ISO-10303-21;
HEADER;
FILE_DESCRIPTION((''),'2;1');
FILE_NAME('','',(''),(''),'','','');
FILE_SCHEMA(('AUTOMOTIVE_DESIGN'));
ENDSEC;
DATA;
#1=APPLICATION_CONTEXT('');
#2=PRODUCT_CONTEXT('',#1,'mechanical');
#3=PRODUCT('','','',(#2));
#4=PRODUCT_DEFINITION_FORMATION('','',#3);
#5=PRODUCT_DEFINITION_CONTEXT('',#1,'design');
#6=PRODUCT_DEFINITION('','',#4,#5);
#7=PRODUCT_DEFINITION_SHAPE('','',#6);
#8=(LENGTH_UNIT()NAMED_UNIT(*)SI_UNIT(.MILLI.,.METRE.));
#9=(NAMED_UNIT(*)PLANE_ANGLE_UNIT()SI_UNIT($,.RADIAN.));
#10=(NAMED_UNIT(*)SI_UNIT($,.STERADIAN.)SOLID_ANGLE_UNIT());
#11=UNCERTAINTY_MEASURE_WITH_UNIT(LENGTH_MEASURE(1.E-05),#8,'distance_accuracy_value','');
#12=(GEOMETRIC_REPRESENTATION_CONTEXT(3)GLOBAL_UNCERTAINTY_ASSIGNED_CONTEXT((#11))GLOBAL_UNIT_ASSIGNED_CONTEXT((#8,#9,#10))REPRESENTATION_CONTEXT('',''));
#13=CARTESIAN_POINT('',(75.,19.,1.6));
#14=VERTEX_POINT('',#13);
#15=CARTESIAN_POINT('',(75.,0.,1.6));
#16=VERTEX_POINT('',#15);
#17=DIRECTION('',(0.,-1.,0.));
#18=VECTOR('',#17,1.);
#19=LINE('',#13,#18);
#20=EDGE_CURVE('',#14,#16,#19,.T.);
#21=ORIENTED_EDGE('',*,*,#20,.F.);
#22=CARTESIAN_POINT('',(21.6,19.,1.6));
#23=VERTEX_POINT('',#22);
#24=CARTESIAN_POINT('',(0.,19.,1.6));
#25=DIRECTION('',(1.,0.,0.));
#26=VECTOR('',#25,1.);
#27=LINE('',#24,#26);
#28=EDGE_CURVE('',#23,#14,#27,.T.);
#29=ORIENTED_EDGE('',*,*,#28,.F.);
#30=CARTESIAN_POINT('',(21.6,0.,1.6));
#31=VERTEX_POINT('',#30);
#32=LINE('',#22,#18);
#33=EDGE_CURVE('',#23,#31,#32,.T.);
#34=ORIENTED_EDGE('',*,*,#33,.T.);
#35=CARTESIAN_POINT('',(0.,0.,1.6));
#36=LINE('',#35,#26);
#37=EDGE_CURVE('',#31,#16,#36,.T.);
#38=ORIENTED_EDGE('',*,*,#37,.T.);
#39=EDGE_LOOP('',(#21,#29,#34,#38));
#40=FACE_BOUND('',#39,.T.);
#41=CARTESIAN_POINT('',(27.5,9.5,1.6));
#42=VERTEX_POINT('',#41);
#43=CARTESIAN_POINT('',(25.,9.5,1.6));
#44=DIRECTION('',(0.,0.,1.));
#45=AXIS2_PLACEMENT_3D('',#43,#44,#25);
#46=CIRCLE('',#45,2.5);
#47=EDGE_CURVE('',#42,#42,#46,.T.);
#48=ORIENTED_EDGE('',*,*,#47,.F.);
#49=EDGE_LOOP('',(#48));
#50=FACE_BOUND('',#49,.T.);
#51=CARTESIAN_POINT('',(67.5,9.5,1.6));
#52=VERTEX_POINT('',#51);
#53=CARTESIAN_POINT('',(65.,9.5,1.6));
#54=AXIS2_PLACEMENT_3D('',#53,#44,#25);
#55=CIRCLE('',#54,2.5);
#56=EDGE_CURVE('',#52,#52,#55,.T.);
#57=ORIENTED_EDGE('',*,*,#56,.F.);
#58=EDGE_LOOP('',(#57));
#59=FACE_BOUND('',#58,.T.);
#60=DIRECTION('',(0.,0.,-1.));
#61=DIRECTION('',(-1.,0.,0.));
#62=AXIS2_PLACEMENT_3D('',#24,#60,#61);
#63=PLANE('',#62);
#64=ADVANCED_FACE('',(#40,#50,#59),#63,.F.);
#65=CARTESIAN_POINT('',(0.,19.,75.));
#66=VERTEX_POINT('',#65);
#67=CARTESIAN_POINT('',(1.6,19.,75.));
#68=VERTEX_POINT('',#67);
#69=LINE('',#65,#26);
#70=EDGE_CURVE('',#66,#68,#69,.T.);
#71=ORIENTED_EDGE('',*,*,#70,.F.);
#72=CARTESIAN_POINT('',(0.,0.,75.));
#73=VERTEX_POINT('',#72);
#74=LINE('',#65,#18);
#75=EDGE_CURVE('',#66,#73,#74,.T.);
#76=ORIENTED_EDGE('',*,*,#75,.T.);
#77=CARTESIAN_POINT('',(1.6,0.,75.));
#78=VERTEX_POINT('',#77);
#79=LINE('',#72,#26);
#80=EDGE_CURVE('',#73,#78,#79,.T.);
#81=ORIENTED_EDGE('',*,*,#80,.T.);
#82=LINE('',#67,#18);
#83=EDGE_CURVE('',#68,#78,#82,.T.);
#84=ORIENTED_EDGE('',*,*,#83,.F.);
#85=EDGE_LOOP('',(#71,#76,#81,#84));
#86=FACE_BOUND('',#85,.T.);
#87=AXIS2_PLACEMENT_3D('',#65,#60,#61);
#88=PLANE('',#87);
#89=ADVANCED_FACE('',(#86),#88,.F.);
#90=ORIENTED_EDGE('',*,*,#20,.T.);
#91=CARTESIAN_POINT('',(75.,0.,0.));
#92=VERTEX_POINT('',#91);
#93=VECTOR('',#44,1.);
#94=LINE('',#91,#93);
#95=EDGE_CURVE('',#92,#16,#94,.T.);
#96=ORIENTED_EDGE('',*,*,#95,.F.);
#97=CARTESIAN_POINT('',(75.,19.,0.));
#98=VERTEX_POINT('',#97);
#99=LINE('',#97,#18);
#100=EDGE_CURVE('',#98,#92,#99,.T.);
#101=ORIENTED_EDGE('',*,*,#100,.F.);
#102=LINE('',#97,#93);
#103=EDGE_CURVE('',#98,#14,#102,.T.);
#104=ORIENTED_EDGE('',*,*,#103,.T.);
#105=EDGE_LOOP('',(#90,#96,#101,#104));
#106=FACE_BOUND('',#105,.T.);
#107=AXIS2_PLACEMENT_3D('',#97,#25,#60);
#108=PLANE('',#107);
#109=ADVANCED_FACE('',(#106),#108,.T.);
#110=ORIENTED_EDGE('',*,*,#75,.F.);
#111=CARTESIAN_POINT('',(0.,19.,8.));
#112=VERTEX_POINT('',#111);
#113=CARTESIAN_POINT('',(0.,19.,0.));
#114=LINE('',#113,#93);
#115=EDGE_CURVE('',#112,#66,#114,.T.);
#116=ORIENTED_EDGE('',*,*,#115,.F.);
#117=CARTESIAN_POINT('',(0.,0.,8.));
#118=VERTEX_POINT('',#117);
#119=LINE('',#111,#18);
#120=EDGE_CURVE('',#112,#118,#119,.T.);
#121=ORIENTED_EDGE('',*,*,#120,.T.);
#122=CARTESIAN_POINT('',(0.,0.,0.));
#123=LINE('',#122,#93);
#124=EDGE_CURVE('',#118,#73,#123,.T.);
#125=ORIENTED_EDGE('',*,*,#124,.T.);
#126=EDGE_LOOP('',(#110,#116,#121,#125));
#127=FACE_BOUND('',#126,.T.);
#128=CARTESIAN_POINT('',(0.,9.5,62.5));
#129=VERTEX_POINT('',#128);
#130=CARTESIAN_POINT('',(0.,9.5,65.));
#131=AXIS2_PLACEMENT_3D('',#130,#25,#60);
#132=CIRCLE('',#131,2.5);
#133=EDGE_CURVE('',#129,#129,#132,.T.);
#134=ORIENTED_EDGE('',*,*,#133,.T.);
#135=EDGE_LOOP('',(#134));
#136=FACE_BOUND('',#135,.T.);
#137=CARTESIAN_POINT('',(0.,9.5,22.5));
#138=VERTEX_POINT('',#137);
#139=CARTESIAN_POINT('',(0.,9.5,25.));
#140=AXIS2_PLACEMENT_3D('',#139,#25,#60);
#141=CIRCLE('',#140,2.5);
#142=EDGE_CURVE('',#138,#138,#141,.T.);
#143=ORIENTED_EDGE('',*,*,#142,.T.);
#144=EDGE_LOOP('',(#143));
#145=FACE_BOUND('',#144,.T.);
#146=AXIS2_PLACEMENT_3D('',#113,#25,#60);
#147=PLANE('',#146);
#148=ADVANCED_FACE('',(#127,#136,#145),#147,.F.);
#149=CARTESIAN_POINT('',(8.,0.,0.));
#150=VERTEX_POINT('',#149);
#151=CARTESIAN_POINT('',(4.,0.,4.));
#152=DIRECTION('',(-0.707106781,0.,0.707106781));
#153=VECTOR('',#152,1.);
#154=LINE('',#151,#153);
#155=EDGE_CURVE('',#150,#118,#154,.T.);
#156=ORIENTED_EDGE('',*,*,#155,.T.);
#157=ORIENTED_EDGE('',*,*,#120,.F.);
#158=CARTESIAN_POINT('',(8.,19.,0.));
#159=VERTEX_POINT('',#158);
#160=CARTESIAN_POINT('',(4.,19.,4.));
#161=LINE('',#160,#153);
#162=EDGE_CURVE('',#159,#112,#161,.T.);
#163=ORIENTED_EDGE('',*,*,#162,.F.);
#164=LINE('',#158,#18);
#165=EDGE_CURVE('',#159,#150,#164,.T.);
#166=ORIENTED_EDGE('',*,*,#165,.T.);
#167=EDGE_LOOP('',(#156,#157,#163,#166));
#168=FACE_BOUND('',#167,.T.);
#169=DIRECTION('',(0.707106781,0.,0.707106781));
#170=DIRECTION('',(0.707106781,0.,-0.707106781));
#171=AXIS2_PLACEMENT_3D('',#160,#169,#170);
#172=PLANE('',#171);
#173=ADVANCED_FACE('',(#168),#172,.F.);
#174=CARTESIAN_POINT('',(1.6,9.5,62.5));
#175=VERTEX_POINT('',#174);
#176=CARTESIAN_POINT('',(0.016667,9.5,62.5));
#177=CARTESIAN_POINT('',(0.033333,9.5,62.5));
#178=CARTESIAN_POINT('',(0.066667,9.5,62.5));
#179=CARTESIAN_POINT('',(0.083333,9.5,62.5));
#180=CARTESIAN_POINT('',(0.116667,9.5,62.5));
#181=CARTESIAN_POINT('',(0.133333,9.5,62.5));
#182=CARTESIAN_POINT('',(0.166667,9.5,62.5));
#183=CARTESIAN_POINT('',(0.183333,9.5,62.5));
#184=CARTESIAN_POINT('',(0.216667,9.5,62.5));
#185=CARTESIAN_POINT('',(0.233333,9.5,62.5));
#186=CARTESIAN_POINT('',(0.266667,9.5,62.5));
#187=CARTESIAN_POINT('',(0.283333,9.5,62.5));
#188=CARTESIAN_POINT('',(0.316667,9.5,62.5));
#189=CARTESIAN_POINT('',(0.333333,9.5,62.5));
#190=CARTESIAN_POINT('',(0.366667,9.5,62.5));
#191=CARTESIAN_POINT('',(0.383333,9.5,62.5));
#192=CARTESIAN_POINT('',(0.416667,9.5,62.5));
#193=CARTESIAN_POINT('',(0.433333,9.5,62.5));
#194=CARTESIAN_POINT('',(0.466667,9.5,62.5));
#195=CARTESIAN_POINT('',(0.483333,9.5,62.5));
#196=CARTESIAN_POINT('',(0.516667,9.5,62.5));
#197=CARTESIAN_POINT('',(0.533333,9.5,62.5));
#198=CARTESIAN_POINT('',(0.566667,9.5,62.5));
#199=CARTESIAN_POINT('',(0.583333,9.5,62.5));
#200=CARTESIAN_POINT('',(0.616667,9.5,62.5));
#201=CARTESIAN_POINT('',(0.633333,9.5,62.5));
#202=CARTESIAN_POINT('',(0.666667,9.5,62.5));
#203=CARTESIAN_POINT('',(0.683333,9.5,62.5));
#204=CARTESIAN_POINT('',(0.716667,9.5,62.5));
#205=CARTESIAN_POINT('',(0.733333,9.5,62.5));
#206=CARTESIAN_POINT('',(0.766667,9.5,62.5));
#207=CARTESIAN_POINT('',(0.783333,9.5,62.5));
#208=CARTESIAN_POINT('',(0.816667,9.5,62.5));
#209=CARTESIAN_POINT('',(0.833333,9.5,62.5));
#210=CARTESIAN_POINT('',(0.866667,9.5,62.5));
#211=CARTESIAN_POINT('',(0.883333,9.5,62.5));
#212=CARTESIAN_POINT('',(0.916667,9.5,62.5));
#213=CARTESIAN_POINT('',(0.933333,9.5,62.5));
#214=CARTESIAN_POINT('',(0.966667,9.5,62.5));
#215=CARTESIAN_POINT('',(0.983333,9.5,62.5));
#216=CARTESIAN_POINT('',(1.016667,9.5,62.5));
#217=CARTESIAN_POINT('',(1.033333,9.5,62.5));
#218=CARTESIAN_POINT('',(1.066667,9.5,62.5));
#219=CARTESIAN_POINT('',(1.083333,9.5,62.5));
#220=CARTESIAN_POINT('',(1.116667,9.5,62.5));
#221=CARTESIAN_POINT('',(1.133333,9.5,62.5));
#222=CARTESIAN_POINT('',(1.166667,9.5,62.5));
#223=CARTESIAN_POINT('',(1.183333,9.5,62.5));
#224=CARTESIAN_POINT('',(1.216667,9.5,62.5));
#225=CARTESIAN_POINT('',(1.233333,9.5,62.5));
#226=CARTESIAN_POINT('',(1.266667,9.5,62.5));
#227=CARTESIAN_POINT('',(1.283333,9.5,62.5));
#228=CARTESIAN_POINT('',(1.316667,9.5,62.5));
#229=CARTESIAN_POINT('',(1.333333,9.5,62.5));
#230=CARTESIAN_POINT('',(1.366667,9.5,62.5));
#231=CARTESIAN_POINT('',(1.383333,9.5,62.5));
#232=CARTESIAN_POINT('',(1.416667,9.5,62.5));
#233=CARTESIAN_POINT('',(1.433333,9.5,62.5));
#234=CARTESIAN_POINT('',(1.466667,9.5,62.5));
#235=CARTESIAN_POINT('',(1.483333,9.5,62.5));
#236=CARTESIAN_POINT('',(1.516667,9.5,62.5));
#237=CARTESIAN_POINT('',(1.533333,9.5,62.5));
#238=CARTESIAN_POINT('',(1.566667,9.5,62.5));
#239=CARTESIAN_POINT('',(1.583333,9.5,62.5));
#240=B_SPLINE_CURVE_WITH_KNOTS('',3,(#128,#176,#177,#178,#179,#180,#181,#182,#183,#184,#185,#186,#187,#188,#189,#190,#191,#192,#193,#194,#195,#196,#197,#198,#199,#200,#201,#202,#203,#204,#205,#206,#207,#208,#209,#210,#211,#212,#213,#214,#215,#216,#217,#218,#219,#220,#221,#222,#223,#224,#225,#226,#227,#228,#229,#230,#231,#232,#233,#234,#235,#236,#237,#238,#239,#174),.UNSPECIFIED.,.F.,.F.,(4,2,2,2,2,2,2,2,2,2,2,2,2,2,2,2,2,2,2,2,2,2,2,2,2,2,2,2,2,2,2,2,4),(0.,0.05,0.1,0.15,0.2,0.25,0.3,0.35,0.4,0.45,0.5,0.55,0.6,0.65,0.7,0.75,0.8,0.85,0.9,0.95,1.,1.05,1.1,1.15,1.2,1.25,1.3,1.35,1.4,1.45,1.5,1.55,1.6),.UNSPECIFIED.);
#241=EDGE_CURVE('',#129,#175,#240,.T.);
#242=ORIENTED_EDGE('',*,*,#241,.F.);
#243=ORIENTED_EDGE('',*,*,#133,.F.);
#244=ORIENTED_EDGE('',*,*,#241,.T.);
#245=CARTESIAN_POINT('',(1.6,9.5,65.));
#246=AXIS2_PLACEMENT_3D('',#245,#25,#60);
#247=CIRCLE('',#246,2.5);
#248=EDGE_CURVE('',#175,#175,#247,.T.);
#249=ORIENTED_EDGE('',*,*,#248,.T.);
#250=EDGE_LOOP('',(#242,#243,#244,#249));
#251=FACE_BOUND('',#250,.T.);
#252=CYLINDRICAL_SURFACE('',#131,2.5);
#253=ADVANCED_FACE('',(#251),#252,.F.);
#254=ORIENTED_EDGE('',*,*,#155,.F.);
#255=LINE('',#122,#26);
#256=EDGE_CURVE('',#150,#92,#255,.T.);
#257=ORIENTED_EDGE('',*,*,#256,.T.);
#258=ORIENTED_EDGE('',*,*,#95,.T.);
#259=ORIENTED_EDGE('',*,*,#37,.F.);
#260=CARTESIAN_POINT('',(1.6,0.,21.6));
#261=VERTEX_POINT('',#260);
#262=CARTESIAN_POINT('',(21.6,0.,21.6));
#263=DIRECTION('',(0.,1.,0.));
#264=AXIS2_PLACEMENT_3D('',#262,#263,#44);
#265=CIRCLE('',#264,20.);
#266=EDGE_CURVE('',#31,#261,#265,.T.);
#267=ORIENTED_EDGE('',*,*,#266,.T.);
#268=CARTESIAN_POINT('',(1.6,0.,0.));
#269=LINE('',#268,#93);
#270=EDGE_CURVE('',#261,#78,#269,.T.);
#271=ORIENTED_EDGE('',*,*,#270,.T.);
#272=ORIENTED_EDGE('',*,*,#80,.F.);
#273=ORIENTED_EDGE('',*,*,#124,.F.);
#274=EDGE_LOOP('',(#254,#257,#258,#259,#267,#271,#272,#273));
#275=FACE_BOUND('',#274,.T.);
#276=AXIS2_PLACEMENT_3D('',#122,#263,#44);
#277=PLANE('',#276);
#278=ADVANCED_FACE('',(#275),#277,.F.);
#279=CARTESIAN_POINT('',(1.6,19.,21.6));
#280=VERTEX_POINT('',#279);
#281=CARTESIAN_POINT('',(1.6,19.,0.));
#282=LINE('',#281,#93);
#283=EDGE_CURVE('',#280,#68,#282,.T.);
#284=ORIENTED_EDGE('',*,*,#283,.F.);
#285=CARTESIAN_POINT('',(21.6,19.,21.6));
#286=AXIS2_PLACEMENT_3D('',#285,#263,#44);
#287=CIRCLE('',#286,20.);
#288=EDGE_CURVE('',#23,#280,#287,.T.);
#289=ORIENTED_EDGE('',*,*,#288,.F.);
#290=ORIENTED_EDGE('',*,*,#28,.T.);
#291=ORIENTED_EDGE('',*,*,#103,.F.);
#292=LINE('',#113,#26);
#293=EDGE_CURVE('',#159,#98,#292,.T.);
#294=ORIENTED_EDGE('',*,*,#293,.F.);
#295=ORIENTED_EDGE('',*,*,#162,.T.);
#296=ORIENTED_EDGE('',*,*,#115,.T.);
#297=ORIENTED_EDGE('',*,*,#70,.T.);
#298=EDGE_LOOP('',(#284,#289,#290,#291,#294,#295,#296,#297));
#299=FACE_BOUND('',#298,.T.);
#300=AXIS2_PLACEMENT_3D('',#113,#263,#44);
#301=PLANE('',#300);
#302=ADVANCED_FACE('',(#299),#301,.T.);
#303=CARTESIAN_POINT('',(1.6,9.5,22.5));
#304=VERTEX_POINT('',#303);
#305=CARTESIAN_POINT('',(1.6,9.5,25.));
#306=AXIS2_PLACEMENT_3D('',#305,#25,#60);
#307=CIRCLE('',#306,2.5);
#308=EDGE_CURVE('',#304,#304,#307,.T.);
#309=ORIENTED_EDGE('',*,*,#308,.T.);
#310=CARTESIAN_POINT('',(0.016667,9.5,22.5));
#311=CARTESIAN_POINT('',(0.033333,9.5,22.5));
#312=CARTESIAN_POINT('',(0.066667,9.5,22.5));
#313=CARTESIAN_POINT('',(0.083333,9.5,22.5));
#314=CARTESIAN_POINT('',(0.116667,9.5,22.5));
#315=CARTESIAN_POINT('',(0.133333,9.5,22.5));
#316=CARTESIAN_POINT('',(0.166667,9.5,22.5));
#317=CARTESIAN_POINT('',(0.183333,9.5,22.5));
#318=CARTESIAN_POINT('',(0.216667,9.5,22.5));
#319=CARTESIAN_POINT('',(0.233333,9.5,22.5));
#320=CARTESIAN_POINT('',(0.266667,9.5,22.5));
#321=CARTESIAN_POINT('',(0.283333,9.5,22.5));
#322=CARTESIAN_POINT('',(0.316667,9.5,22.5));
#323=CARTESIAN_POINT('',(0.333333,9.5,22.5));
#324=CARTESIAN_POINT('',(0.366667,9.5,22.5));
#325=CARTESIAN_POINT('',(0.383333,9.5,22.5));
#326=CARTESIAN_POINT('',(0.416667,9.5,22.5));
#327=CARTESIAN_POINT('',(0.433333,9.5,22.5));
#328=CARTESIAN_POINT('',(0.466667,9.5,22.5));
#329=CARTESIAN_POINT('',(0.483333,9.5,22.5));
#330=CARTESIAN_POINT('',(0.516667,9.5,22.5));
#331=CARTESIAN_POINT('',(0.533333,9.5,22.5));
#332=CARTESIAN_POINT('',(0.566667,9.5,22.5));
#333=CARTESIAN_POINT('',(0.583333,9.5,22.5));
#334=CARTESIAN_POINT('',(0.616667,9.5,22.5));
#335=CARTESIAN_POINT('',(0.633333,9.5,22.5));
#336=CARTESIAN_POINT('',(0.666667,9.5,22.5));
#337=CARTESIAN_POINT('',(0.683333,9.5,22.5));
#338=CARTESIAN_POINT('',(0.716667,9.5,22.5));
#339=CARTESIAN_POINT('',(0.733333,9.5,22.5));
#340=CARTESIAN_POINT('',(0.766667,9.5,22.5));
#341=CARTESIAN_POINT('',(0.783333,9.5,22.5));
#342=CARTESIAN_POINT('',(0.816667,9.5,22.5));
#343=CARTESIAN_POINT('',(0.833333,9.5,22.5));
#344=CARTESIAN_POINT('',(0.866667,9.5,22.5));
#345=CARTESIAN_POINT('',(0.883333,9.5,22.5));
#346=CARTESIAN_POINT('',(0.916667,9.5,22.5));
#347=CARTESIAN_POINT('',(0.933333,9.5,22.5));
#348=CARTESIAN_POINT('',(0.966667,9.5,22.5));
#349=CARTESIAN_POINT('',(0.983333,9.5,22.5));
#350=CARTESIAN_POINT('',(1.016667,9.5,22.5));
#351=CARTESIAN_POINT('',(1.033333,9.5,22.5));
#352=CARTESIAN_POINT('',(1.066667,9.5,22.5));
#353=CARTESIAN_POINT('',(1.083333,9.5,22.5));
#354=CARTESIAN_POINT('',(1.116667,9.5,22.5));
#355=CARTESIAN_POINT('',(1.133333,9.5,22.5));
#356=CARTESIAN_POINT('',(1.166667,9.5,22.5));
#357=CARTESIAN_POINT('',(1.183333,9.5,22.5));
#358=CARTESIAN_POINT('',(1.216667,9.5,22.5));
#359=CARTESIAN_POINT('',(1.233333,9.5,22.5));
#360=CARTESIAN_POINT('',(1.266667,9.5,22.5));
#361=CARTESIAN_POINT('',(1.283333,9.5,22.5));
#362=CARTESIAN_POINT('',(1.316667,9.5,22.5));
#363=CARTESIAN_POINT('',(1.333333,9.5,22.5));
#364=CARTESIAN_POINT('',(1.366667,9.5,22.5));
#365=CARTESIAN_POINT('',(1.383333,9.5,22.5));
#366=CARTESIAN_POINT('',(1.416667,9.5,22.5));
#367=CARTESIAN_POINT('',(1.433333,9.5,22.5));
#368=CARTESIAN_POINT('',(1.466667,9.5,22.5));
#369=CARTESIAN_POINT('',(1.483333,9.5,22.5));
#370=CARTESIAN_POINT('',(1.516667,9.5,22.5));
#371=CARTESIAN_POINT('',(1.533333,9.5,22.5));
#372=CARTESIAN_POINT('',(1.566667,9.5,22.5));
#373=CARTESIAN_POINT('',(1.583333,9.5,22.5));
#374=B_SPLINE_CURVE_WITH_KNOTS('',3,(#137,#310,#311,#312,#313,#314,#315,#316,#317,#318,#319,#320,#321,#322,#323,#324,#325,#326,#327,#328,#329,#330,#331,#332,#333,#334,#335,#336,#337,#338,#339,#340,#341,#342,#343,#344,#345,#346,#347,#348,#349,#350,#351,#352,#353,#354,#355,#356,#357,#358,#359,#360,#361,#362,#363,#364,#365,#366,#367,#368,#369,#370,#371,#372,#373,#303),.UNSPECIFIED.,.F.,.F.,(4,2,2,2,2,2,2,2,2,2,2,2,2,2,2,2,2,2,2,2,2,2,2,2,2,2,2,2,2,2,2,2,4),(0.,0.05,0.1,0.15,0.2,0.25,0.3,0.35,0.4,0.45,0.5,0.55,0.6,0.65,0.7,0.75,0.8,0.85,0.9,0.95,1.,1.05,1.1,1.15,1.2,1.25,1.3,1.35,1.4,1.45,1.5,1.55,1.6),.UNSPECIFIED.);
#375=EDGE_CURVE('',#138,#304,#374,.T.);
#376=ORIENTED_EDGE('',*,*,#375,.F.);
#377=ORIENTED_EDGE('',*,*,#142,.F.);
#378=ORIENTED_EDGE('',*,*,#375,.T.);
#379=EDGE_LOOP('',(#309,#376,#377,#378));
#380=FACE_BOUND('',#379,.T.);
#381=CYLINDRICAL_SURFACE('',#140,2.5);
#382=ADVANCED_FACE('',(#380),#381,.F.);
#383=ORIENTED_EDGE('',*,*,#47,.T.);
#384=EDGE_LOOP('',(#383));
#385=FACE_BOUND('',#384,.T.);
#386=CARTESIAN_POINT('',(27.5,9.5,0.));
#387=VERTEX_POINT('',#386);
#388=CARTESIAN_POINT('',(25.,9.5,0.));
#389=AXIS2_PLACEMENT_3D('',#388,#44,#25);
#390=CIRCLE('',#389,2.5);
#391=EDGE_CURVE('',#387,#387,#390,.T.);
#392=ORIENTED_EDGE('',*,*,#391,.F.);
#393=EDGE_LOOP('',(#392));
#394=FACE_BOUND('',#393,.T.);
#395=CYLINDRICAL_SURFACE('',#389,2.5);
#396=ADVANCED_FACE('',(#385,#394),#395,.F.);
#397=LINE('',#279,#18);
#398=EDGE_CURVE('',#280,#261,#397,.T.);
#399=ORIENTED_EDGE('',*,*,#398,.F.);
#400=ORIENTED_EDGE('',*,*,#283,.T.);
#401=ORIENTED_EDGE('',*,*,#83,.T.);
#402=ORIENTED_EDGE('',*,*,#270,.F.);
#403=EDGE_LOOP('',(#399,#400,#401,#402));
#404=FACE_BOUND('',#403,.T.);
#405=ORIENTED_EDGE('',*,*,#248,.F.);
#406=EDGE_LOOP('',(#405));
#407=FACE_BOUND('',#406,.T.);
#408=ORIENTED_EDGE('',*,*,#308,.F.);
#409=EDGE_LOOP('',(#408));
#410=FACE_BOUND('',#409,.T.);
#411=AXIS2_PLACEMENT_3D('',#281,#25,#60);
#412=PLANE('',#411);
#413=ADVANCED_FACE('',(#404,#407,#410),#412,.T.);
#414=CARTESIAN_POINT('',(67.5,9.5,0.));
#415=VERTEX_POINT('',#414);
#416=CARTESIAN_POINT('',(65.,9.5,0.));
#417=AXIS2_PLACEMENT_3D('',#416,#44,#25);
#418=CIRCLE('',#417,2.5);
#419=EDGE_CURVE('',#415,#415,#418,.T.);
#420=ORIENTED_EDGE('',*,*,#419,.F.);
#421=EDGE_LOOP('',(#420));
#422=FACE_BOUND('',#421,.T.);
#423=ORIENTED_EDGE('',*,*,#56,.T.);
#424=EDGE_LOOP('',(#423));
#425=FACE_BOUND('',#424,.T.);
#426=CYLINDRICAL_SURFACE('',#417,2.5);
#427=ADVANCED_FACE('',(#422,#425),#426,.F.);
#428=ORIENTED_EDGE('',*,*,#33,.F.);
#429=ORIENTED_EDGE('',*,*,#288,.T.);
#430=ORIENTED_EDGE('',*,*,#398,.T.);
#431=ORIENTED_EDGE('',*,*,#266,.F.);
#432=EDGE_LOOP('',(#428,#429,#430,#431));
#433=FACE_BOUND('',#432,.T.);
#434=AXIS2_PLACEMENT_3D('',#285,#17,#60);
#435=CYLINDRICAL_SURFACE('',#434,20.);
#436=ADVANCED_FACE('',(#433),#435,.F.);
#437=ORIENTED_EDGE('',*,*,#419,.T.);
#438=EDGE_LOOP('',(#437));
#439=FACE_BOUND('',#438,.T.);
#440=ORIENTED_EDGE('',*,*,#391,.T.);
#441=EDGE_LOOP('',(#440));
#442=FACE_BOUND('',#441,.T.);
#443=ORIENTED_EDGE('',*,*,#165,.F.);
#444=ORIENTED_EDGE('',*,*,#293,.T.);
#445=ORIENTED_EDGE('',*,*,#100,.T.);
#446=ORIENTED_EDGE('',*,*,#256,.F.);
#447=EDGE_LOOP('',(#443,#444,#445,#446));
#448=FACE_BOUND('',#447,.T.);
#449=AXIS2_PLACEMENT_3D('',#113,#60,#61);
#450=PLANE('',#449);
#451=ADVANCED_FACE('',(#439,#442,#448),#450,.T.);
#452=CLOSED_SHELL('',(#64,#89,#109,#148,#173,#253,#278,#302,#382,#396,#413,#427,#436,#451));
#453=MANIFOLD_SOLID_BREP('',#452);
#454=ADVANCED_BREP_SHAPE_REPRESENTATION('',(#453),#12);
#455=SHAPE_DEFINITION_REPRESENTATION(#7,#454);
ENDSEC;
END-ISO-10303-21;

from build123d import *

# Parameters (mm, degrees)
EXTRUDE_2_DEPTH     = 19
SKETCH_2_R          = 2.5
CUT_EXTRUDE_1_DEPTH = 107.646894001
SKETCH_3_R          = 2.5
CUT_EXTRUDE_2_DEPTH = 107.646894001


with BuildPart() as part:
    # 草图1 → 凸台-拉伸2 (new body)
    with BuildSketch(Plane(origin=(0, 0, 0), x_dir=(1, 0, 0), z_dir=(0, 1, 0))):
        with BuildLine():
            Line((75, 0), (8, 0))
            Line((8, 0), (0, -8))
            Line((0, -8), (0, -75))
            Line((0, -75), (1.6, -75))
            Line((1.6, -75), (1.6, -21.6))
            ThreePointArc((1.6, -21.6), (7.457864376, -7.457864376), (21.6, -1.6))
            Line((21.6, -1.6), (75, -1.6))
            Line((75, -1.6), (75, 0))
        make_face()
    extrude(amount=EXTRUDE_2_DEPTH)

    # 草图2 → 切除-拉伸1 (cut, through all)
    with BuildSketch(Plane.XY.offset(1.6)):
        with Locations((25, 9.5)):
            Circle(SKETCH_2_R)
        with Locations((65, 9.5)):
            Circle(SKETCH_2_R)
    extrude(amount=-CUT_EXTRUDE_1_DEPTH, mode=Mode.SUBTRACT)

    # 草图3 → 切除-拉伸2 (cut, through all)
    with BuildSketch(Plane(origin=(1.6, 0, 0), x_dir=(0, 0, -1), z_dir=(1, 0, 0))):
        with Locations((-65, 9.5)):
            Circle(SKETCH_3_R)
        with Locations((-25, 9.5)):
            Circle(SKETCH_3_R)
    extrude(amount=-CUT_EXTRUDE_2_DEPTH, mode=Mode.SUBTRACT)


solid = part.part
